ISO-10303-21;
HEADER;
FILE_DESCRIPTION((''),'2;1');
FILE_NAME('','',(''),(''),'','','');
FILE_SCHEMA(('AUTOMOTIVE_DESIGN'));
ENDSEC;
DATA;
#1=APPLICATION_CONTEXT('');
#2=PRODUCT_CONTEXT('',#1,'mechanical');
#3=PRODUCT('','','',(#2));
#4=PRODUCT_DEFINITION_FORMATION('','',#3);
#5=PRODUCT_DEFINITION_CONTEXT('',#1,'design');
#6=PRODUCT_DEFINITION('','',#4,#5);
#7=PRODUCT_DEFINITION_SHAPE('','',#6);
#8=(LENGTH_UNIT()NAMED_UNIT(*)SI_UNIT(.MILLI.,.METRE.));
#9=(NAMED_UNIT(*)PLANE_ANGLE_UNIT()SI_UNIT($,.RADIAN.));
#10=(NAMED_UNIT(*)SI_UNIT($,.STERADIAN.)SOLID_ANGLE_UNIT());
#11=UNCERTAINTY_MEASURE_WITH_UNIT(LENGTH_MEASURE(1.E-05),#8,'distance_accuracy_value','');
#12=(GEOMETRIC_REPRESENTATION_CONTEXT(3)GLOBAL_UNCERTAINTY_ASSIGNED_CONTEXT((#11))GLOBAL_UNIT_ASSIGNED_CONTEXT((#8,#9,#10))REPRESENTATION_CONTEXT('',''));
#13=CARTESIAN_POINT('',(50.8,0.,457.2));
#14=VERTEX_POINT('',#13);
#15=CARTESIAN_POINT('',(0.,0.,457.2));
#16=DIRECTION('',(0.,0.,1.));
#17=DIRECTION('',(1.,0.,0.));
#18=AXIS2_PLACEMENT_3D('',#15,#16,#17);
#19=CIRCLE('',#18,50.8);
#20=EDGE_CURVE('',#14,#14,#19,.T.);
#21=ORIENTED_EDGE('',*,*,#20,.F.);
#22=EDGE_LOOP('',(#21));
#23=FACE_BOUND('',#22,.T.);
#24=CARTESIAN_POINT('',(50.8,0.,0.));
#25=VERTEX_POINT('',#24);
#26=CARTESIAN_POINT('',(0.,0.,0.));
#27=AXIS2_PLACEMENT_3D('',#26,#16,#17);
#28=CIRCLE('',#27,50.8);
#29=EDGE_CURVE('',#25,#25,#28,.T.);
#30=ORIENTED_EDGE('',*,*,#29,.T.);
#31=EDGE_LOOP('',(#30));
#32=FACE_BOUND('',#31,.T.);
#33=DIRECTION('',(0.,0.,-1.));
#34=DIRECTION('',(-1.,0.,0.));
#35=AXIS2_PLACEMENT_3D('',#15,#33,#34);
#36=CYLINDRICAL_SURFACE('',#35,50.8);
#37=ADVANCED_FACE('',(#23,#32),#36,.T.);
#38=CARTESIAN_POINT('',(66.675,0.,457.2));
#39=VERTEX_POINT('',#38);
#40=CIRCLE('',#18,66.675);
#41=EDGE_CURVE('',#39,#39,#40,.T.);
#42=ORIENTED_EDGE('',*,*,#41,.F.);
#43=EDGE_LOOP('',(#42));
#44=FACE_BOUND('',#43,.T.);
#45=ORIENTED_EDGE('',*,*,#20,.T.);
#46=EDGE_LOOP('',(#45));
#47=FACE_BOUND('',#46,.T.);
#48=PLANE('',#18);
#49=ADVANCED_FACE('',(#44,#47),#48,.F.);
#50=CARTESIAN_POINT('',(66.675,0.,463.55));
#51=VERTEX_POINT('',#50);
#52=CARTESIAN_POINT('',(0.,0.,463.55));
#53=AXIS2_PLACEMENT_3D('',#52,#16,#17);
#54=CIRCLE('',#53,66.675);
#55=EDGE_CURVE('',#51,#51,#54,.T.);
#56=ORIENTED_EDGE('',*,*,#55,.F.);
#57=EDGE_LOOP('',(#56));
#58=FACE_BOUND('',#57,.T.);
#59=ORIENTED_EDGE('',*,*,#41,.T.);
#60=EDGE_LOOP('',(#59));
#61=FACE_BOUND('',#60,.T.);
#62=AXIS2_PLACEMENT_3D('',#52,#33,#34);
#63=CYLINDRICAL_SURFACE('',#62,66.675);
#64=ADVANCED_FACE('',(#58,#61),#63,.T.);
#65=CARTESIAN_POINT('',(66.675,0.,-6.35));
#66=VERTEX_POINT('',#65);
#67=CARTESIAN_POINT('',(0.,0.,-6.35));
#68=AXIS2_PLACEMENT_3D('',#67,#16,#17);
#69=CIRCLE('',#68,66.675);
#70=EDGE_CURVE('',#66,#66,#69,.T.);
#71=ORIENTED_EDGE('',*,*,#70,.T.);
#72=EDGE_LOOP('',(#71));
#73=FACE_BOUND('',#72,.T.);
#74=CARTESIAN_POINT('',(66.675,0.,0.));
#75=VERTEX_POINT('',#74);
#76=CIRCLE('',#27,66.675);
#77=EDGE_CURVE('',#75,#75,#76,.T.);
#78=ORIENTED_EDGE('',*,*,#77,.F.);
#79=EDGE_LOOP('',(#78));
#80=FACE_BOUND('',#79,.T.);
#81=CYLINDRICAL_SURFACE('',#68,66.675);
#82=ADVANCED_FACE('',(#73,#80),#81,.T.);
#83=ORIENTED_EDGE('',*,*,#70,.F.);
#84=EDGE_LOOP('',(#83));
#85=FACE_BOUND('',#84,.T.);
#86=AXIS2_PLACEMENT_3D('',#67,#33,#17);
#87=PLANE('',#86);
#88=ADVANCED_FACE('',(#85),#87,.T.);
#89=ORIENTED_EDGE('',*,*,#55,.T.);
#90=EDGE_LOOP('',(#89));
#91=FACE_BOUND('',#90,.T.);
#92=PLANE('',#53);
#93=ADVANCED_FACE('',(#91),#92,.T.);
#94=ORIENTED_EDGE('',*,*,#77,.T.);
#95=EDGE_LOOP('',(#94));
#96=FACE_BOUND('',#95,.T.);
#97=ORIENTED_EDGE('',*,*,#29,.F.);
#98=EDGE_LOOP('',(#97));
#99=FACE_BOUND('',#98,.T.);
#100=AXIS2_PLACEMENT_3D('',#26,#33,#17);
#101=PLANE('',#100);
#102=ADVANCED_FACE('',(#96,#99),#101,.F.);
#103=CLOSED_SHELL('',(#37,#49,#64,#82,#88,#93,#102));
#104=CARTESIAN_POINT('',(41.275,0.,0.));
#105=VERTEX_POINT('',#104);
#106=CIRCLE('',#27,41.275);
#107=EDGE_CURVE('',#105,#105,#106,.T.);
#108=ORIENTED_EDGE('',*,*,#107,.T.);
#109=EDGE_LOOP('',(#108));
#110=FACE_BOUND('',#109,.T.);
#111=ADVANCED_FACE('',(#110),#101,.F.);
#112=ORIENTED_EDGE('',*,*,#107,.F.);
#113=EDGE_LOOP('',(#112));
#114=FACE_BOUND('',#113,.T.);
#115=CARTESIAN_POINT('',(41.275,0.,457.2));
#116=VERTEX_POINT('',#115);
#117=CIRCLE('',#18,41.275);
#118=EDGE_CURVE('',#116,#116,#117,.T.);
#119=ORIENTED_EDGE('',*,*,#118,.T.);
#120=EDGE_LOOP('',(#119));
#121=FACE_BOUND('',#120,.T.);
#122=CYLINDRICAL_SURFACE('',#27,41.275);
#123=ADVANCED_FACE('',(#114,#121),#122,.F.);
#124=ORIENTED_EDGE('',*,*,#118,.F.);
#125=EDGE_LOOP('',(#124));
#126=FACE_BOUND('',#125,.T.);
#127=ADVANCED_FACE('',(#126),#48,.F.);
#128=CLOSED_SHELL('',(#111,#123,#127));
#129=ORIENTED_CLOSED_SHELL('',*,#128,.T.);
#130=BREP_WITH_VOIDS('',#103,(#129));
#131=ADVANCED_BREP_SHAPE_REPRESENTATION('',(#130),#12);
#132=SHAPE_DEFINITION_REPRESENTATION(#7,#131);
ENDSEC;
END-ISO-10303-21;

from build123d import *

# Parameters (mm, degrees)
SKETCH1_R           = 50.8
BOSS_EXTRUDE1_DEPTH = 457.2
SKETCH2_R           = 41.275
CUT_EXTRUDE1_DEPTH  = 457.2
SKETCH3_R           = 66.675
BOSS_EXTRUDE2_DEPTH = 6.35


with BuildPart() as part:
    # Sketch1 → Boss-Extrude1 (new body)
    with BuildSketch(Plane.XY):
        Circle(SKETCH1_R)
    extrude(amount=BOSS_EXTRUDE1_DEPTH)

    # Sketch2 → Cut-Extrude1 (cut)
    with BuildSketch(Plane.XY.offset(457.2)):
        Circle(SKETCH2_R)
    extrude(amount=-CUT_EXTRUDE1_DEPTH, mode=Mode.SUBTRACT)

    # Sketch3 → Boss-Extrude2 (add)
    with BuildSketch(Plane.XY.offset(457.2)):
        Circle(SKETCH3_R)
    boss_extrude2 = extrude(amount=BOSS_EXTRUDE2_DEPTH)

    # Mirror1: Boss-Extrude2 across plane
    add(boss_extrude2.mirror(Plane.XY.offset(228.6)))


solid = part.part
